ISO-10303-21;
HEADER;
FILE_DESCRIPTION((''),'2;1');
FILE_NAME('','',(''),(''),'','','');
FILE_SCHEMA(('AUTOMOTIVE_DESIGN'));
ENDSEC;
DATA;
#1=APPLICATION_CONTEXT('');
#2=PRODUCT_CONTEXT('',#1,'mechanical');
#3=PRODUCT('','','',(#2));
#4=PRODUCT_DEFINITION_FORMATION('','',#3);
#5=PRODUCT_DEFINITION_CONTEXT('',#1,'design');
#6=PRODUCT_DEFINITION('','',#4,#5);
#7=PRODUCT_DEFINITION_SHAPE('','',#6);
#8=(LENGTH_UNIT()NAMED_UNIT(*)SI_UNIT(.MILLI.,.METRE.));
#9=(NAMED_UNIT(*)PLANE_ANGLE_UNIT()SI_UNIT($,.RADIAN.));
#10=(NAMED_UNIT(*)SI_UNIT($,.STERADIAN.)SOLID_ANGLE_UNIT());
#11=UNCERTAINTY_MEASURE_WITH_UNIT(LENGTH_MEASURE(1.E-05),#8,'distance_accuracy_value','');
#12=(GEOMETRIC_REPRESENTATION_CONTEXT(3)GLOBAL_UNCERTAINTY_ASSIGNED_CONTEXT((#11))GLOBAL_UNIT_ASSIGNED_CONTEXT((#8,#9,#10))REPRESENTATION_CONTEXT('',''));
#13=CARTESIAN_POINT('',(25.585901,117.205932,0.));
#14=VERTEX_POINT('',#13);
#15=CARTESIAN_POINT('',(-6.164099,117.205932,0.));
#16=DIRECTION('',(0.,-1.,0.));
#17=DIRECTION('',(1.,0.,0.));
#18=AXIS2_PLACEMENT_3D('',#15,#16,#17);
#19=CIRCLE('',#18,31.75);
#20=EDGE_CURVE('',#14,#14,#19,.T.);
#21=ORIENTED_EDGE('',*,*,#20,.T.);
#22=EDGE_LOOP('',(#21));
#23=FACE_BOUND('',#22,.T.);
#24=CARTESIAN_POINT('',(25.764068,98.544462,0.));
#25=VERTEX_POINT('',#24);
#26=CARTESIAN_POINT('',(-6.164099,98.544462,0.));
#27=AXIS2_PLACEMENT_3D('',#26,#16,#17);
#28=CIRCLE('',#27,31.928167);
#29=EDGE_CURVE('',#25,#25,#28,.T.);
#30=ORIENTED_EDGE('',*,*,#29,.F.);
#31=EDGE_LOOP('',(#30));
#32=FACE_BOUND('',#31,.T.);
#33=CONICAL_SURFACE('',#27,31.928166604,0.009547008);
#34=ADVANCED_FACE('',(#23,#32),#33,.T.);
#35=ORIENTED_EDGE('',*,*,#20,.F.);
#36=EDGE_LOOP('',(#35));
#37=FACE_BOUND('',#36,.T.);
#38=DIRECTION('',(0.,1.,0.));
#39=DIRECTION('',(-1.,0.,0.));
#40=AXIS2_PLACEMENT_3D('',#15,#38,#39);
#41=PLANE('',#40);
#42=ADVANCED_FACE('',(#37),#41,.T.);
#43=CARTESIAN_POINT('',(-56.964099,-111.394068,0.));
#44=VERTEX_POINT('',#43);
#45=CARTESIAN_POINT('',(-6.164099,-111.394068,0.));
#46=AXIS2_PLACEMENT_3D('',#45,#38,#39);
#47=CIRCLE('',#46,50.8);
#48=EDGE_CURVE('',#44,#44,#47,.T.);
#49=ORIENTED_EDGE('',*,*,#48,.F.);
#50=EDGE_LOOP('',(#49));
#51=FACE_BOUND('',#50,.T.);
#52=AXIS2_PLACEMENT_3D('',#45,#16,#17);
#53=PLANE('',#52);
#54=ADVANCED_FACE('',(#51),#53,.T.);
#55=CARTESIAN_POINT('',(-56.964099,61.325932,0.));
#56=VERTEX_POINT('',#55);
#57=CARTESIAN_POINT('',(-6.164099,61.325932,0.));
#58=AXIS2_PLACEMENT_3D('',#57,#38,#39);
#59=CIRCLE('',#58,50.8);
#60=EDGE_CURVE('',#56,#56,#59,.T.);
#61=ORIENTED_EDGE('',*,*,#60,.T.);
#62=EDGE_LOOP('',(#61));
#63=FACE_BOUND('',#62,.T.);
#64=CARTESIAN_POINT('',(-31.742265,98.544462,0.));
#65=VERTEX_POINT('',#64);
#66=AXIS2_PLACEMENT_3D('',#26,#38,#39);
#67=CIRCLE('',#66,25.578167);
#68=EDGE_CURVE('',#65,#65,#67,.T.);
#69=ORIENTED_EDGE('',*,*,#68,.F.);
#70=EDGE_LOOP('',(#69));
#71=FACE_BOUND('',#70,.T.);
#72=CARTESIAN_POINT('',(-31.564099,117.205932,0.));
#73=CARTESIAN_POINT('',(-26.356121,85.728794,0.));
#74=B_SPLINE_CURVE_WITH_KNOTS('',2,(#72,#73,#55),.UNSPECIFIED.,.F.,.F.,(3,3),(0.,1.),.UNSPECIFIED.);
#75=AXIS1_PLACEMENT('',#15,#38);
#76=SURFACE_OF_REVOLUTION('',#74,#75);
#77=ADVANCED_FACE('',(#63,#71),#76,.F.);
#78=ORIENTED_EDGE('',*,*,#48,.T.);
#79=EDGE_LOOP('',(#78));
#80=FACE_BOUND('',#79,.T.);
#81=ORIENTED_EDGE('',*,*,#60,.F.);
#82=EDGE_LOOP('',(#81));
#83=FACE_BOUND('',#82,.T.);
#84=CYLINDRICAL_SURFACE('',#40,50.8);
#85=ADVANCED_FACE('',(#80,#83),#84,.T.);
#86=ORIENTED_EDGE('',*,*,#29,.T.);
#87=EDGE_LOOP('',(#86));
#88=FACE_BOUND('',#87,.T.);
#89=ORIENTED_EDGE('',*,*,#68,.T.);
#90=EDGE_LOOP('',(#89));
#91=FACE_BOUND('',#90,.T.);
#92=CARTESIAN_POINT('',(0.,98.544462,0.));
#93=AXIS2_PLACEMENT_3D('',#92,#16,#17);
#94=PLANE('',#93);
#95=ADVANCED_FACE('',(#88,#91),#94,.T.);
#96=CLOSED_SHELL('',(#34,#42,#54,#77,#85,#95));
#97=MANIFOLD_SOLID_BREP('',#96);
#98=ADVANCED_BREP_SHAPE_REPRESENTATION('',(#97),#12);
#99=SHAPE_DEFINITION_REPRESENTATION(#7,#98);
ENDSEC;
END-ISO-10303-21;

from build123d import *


with BuildPart() as part:
    # Sketch1 → Revolve1 (revolve)
    with BuildSketch(Plane.XY):
        with BuildLine():
            Line((-6.164098613, 117.205932203), (-6.164098613, -111.394067797))
            Line((-6.164098613, -111.394067797), (-56.964098613, -111.394067797))
            Line((-56.964098613, -111.394067797), (-56.964098613, 61.325932203))
            add(Edge.make_bspline(
                [(-56.964098613, 61.325932203), (-26.35612057, 85.728794243), (-31.564098613, 117.205932203)],
                knots=[0, 0, 0, 1, 1, 1], degree=2))
            Line((-31.564098613, 117.205932203), (-6.164098613, 117.205932203))
        make_face()
    revolve(axis=Axis((-6.164098613, 117.205932203, 0), (0, -1, 0)))

    # Sketch2 → Revolve2 (revolve)
    with BuildSketch(Plane.XY, mode=Mode.PRIVATE) as revolve2_sk:
        with BuildLine():
            Line((-38.092265218, 98.544461924), (-31.742265218, 98.544461924))
            add(Edge.make_bspline(
                [(-31.564098599, 117.205932119), (-29.965138201, 107.541778952), (-31.742265218, 98.544461924)],
                knots=[0, 0, 0, 0.307021343, 0.307021343, 0.307021343], degree=2))
            Line((-31.564098599, 117.205932119), (-37.914098599, 117.205932119))
            Line((-37.914098599, 117.205932119), (-38.092265218, 98.544461924))
        make_face()
    revolve(revolve2_sk.sketch.rotate(Axis((-6.164098613, -111.394067797, 0), (0, 1, 0)), 180), axis=Axis((-6.164098613, -111.394067797, 0), (0, 1, 0)))


solid = part.part
